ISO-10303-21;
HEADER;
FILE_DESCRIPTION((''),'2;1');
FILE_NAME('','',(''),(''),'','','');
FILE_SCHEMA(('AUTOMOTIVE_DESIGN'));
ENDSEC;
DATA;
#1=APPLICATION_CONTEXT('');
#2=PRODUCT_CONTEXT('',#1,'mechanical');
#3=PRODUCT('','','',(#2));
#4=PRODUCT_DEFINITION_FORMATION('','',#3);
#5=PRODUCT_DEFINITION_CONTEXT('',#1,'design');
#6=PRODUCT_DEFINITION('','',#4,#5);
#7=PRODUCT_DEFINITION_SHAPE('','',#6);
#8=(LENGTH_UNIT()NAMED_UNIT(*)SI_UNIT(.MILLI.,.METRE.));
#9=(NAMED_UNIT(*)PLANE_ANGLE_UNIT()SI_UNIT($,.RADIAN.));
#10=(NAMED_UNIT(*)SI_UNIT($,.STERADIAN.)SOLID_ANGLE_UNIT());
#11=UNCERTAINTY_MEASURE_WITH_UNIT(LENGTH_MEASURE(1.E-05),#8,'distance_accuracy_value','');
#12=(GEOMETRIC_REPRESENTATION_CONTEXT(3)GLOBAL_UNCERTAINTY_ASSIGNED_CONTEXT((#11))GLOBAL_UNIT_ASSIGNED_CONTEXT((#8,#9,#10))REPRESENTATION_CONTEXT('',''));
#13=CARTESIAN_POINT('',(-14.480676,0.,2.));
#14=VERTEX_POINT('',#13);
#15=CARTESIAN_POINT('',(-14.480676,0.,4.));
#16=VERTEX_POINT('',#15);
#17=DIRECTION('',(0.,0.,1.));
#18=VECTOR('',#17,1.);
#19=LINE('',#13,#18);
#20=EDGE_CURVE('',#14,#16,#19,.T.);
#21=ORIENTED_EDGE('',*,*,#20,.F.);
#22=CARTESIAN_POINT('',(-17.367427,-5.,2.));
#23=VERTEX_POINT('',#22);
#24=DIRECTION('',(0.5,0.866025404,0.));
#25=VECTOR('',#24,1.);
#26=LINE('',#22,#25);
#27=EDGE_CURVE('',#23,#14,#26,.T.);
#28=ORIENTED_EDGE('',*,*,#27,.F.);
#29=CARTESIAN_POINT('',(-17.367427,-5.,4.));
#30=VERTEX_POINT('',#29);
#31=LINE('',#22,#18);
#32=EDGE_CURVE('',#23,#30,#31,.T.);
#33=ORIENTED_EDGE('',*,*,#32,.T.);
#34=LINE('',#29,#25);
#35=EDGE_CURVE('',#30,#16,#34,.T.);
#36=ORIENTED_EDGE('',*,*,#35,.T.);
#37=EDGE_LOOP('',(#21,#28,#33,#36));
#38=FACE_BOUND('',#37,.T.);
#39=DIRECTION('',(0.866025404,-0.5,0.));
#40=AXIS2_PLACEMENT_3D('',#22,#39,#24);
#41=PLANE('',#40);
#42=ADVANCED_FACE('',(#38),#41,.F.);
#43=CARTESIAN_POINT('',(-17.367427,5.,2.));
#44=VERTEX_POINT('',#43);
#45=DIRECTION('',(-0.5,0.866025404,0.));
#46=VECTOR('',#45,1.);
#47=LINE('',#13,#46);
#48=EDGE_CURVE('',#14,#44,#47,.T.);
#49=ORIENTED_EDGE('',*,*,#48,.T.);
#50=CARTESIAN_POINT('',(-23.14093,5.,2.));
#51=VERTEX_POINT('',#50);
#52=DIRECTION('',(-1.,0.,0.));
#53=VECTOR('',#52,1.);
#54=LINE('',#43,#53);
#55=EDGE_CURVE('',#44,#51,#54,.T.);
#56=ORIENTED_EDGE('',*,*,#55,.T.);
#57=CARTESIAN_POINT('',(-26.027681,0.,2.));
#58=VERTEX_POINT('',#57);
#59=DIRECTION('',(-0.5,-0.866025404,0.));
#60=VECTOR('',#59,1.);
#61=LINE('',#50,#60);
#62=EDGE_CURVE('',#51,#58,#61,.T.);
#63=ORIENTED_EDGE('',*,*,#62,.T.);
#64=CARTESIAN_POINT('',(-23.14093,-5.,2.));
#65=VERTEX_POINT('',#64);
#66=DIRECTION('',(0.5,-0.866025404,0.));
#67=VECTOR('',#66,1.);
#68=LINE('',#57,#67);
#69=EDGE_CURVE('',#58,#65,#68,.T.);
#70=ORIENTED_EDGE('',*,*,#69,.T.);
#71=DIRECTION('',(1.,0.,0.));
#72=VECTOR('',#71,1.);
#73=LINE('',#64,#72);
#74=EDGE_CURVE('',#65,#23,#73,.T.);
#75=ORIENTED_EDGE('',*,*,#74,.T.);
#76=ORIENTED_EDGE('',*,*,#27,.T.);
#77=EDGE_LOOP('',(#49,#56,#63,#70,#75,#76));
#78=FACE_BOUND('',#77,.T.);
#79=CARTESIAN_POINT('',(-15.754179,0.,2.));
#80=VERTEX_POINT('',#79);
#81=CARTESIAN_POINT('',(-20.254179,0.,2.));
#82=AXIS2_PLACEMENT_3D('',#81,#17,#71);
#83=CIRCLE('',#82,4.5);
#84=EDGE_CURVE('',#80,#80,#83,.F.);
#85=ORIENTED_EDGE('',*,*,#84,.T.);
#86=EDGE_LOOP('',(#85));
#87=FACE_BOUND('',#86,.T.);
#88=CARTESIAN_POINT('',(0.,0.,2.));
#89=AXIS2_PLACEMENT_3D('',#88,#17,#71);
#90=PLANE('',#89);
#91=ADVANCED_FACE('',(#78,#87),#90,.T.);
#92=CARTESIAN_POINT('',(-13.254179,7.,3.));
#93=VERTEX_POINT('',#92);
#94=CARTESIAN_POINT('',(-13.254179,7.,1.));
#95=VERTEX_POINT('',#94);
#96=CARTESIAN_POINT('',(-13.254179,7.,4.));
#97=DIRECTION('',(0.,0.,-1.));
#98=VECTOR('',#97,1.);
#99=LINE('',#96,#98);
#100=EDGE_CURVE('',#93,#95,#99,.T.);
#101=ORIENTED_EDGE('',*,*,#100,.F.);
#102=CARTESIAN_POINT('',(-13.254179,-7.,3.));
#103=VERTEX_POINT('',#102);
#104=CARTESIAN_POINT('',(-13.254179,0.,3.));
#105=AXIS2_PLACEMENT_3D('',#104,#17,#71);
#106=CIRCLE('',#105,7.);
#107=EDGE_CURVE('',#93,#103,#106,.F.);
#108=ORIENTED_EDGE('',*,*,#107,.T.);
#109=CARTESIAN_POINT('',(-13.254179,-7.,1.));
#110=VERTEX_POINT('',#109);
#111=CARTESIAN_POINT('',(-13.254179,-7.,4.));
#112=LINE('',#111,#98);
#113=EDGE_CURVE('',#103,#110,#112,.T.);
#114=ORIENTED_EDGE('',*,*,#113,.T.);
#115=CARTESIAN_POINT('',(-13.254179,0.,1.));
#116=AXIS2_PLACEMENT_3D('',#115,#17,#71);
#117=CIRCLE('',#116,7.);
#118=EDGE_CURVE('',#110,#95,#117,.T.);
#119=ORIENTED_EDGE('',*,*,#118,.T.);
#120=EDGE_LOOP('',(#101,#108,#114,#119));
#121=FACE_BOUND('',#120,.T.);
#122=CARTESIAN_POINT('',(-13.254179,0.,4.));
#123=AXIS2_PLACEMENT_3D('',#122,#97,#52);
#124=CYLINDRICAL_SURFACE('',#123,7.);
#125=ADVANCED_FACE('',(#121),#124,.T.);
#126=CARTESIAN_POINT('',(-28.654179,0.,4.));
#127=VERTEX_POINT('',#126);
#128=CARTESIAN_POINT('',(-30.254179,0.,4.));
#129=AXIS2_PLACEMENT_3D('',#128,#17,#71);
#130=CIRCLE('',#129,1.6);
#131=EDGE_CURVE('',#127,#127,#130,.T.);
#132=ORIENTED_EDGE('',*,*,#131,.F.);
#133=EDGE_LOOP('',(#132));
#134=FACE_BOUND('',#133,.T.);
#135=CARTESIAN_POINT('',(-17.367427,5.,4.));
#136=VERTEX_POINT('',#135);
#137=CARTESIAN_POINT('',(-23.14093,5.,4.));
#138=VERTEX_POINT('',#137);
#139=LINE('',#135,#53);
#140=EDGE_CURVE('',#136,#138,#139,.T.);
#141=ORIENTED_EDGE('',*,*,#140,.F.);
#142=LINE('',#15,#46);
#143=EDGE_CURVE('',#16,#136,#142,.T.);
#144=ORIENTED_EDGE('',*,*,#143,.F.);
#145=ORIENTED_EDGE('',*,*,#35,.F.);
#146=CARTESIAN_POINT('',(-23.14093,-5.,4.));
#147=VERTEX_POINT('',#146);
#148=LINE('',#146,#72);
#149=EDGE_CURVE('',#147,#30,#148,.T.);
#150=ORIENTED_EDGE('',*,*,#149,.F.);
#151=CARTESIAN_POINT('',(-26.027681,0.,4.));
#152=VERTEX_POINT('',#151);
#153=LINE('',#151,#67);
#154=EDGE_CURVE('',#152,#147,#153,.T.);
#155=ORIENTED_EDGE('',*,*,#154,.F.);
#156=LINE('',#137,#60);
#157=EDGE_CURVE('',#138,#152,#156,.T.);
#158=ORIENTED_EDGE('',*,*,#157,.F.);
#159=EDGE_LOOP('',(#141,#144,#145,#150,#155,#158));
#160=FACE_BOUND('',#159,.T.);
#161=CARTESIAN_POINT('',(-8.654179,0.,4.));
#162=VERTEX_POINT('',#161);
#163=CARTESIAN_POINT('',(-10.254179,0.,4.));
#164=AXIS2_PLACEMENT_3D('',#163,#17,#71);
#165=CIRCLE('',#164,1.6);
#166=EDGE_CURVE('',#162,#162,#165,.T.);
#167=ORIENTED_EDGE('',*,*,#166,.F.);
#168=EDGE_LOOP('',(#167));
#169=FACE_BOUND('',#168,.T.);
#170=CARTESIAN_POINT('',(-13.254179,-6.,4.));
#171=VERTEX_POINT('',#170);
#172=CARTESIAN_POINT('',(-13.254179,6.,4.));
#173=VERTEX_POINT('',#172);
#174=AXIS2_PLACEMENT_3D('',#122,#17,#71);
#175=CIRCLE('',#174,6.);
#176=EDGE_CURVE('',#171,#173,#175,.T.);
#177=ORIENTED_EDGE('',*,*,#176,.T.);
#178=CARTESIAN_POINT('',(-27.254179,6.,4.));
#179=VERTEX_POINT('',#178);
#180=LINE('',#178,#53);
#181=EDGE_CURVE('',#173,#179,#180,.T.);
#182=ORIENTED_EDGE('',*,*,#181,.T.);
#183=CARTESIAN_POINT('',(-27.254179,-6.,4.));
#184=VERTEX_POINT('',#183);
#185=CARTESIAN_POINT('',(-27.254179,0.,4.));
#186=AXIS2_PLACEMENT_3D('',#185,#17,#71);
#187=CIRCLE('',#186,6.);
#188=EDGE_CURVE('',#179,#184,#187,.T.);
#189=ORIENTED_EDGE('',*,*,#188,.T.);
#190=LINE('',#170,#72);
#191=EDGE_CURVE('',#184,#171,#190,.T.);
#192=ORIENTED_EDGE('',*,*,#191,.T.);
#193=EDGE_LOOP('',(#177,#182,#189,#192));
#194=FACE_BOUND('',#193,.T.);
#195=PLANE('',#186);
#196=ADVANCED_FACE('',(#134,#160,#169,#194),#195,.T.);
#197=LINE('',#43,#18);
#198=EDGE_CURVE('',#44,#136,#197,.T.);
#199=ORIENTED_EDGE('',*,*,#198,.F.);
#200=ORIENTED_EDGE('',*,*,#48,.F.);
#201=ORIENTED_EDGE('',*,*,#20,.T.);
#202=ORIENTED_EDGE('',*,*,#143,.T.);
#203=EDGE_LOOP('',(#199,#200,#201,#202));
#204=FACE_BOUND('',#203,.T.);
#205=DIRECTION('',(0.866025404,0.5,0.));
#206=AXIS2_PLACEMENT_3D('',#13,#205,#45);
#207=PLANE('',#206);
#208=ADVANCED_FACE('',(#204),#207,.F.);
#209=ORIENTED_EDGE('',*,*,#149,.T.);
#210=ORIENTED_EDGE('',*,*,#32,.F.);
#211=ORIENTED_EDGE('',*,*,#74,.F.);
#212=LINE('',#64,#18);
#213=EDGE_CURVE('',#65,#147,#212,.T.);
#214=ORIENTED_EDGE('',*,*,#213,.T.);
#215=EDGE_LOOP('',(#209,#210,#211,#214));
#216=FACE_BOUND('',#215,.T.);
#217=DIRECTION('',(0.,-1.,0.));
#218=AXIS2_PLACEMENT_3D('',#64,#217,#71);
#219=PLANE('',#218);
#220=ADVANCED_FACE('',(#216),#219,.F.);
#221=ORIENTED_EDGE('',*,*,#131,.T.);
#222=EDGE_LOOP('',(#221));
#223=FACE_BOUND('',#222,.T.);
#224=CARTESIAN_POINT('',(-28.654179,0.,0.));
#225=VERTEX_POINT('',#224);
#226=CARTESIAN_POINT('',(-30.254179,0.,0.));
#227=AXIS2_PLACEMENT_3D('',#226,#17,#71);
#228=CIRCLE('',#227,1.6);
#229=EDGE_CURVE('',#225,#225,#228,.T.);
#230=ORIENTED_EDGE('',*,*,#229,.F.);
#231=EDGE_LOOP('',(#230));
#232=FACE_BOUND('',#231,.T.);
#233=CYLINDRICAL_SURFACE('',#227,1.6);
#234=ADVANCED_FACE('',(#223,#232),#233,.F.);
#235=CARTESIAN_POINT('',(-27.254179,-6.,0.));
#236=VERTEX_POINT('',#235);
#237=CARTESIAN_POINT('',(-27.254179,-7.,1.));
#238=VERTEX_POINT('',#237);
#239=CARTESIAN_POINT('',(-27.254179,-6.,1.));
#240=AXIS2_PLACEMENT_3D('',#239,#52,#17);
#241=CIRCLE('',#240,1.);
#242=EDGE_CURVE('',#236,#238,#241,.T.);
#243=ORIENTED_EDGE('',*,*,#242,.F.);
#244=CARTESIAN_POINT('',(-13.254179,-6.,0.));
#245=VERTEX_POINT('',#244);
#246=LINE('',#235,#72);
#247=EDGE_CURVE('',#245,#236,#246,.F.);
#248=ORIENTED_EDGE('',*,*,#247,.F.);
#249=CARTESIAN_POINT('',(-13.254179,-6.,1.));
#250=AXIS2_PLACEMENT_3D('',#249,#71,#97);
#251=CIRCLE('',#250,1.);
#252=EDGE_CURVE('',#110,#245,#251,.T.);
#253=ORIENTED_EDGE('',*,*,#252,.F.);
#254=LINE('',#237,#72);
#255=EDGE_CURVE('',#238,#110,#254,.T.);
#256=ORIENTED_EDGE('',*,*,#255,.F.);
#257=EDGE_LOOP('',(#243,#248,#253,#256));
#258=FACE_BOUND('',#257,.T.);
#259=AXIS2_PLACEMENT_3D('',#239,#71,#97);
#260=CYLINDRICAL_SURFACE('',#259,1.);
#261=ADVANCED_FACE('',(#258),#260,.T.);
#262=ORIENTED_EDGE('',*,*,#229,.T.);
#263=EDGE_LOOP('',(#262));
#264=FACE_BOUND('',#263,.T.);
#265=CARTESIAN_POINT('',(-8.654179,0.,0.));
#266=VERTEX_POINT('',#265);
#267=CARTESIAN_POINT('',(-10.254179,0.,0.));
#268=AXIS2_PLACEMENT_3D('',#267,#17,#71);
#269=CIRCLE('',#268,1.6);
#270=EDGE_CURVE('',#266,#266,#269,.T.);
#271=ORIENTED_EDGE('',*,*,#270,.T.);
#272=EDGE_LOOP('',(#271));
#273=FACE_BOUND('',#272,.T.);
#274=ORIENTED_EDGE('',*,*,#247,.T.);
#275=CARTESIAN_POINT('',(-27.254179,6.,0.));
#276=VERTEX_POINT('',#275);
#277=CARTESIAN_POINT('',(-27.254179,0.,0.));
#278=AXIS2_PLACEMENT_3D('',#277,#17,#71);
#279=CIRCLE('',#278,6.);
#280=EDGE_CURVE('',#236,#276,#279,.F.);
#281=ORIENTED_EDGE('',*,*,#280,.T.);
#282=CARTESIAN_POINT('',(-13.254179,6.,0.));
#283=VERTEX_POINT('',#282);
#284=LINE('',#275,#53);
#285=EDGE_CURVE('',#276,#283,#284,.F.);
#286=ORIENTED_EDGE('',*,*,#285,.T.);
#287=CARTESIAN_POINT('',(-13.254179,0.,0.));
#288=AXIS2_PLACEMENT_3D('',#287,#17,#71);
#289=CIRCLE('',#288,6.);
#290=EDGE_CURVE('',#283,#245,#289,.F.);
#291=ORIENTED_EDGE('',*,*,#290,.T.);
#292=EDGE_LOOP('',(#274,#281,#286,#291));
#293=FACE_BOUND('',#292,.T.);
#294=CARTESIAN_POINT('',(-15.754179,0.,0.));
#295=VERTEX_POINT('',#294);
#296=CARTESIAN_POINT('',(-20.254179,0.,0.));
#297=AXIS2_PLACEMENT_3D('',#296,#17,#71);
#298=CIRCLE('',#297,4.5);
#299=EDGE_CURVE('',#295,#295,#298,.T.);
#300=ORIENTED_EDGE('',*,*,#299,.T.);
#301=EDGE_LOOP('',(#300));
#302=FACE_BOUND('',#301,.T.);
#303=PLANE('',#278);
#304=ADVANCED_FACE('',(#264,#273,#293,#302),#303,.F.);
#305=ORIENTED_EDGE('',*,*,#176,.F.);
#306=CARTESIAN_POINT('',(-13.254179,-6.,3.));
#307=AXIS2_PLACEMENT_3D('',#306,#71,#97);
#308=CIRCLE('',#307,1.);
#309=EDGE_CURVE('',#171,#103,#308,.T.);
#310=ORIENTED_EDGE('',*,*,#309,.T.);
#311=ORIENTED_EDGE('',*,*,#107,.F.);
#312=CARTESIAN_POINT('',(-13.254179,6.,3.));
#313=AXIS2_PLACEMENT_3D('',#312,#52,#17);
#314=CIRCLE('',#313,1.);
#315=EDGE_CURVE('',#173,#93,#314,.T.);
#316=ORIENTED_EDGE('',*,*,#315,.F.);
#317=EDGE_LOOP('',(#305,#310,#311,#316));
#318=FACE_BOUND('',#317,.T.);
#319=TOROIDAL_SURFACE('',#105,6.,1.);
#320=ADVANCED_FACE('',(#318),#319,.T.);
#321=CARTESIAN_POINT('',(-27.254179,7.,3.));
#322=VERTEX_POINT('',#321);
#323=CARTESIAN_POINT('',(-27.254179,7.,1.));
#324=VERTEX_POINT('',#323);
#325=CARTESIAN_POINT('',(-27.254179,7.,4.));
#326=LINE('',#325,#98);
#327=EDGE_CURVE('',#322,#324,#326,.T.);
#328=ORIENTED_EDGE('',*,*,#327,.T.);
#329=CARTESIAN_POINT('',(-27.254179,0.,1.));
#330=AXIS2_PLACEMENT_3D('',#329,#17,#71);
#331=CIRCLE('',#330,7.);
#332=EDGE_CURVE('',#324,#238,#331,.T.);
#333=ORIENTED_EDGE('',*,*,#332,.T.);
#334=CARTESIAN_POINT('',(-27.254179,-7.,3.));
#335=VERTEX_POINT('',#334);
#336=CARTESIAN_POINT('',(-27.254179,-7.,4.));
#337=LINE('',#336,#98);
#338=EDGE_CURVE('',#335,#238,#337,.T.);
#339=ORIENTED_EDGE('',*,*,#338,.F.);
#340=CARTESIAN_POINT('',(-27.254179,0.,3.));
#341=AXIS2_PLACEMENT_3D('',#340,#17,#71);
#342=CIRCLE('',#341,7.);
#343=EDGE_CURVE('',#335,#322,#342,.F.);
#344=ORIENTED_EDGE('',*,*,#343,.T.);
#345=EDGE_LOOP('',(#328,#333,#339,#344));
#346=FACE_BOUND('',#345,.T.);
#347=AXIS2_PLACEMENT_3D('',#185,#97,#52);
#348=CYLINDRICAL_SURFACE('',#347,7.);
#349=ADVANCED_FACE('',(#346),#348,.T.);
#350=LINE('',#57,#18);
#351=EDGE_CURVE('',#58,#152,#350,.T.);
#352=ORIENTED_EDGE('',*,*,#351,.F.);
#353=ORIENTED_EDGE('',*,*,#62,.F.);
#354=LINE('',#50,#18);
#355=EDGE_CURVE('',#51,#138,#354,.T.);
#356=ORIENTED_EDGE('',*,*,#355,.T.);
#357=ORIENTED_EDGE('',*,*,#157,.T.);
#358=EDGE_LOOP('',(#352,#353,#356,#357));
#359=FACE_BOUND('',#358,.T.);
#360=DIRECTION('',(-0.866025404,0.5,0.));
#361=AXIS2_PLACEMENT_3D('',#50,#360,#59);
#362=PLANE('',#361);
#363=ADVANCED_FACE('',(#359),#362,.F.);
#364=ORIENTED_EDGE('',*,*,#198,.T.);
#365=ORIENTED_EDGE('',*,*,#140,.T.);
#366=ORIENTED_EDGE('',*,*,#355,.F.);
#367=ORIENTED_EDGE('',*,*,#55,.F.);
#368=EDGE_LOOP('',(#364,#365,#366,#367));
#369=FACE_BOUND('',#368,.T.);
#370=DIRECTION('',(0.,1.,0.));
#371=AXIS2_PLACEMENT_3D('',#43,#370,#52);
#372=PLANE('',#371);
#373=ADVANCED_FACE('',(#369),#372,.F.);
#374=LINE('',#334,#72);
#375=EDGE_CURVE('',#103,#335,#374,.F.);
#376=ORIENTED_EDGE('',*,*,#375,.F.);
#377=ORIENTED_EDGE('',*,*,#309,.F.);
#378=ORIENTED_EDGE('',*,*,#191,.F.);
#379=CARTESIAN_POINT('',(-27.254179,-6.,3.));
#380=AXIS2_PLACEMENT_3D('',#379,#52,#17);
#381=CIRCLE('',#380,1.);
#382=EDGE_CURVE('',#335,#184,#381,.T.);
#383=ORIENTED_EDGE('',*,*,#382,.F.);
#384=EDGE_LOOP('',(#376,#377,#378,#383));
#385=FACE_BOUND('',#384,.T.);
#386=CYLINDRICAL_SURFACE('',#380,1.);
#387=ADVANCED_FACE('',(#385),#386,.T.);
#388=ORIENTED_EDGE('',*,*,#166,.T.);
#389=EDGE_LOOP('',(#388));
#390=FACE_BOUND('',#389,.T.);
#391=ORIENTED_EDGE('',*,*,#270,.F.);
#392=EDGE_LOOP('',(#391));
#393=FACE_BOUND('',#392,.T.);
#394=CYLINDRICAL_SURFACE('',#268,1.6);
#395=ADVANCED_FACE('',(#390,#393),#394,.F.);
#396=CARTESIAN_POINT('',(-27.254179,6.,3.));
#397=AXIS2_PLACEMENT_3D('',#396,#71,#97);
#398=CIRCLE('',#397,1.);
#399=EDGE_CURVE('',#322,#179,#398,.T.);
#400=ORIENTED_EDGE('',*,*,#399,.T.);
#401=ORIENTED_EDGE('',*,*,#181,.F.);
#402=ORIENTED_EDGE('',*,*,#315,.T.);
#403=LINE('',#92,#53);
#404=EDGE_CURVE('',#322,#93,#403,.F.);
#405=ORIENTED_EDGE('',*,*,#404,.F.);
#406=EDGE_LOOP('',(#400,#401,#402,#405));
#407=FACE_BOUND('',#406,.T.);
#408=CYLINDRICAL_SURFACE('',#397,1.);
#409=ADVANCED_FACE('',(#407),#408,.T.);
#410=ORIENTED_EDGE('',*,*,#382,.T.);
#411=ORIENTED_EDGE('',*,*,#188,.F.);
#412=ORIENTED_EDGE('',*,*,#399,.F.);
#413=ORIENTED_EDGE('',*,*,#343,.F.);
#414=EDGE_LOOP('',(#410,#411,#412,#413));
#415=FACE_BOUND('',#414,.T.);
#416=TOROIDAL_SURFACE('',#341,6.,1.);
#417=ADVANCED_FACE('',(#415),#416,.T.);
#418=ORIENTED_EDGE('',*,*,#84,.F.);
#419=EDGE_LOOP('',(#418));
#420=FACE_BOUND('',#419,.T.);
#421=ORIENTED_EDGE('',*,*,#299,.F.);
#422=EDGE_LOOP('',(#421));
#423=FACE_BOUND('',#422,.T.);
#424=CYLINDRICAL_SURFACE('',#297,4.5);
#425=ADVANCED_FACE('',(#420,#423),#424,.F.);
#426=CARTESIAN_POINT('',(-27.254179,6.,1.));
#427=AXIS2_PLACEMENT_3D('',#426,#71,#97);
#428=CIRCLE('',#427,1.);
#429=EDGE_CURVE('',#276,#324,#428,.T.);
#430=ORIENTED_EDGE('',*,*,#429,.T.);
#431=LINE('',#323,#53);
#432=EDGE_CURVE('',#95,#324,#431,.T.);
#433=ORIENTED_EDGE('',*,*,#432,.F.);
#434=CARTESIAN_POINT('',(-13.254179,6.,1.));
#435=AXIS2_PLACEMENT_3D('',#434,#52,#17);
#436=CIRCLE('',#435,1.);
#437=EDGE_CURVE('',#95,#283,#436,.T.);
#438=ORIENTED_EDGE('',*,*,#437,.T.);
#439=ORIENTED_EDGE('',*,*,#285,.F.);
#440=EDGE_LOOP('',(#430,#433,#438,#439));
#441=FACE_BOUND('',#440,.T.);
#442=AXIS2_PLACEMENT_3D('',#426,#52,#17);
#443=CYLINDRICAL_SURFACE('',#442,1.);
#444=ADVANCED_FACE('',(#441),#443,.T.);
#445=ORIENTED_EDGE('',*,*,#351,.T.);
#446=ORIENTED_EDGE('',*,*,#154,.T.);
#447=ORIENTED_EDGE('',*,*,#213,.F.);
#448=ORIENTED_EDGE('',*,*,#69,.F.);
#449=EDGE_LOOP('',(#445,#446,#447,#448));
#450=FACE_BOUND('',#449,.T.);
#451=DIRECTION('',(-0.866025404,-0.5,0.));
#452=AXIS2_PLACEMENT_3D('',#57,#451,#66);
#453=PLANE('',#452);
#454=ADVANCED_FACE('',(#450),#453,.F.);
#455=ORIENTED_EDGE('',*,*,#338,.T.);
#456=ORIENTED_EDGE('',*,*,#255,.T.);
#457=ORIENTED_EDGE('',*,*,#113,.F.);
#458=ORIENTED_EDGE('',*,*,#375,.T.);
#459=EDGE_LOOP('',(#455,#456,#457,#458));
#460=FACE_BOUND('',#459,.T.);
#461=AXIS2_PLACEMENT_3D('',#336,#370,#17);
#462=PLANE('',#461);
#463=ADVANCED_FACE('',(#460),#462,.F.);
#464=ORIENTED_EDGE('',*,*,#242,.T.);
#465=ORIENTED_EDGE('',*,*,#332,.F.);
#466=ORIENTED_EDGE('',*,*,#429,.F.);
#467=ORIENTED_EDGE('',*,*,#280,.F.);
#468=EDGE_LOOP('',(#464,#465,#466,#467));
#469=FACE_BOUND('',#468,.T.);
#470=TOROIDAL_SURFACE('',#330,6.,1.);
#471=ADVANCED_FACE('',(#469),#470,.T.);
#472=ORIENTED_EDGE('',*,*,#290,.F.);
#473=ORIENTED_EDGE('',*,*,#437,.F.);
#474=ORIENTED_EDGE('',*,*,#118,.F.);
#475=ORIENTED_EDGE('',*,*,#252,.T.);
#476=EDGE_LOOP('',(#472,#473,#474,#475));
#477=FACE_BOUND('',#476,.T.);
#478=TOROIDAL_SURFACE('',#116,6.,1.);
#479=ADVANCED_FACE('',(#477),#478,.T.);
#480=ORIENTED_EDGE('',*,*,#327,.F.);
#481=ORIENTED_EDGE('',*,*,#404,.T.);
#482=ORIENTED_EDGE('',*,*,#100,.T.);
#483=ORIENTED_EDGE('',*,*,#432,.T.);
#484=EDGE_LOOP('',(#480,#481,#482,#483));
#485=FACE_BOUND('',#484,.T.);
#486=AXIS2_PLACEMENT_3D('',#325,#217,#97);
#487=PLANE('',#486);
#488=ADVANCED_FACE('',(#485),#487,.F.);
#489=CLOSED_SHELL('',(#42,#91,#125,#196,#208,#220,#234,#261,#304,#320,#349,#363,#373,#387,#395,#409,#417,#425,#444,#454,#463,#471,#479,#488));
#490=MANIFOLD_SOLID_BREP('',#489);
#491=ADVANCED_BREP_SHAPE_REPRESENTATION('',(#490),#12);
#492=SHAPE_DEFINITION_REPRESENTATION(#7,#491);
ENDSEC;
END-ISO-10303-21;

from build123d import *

# Parameters (mm, degrees)
BOSS_EXTRU_1_DEPTH      = 4
ESQUISSE3_R             = 4.5
ESQUISSE3_R_2           = 1.6
ENL_V_MAT_EXTRU_1_DEPTH = 5
ENL_V_MAT_EXTRU_2_DEPTH = 2
CONG_1_R                = 1


with BuildPart() as part:
    # Esquisse1 → Boss.-Extru.1 (new body)
    with BuildSketch(Plane.XY):
        with BuildLine():
            Line((-27.254178511, 7), (-13.254178511, 7))
            ThreePointArc((-13.254178511, 7), (-6.254178511, 0), (-13.254178511, -7))
            Line((-13.254178511, -7), (-27.254178511, -7))
            ThreePointArc((-27.254178511, -7), (-34.254178511, 0), (-27.254178511, 7))
        make_face()
    extrude(amount=BOSS_EXTRU_1_DEPTH)

    # Esquisse3 → Enlèv. mat.-Extru.1 (cut, through all)
    with BuildSketch(Plane.XY.offset(4)):
        with Locations((-20.254178511, 0)):
            Circle(ESQUISSE3_R)
        with Locations((-30.254178511, 0)):
            Circle(ESQUISSE3_R_2)
        with Locations((-10.254178511, 0)):
            Circle(ESQUISSE3_R_2)
    extrude(amount=-ENL_V_MAT_EXTRU_1_DEPTH, mode=Mode.SUBTRACT)

    # Esquisse4 → Enlèv. mat.-Extru.2 (cut)
    with BuildSketch(Plane.XY.offset(4)):
        Polygon((-23.140929857, 5), (-26.027681203, 0), (-23.140929857, -5), (-17.367427165, -5), (-14.480675819, 0), (-17.367427165, 5), align=None)
    extrude(amount=-ENL_V_MAT_EXTRU_2_DEPTH, mode=Mode.SUBTRACT)

    # Congé1
    cong_1_edges = [part.edges().sort_by_distance(p)[0] for p in [
        (-6.254178511, 0, 4),
        (-20.254178511, 7, 4),
        (-34.254178511, 0, 4),
        (-20.254178511, 7, 0),
        (-6.254178511, 0, 0),
        (-20.254178511, -7, 0),
        (-34.254178511, 0, 0),
        (-20.254178511, -7, 4),
    ]]
    fillet(cong_1_edges, radius=CONG_1_R)


solid = part.part
